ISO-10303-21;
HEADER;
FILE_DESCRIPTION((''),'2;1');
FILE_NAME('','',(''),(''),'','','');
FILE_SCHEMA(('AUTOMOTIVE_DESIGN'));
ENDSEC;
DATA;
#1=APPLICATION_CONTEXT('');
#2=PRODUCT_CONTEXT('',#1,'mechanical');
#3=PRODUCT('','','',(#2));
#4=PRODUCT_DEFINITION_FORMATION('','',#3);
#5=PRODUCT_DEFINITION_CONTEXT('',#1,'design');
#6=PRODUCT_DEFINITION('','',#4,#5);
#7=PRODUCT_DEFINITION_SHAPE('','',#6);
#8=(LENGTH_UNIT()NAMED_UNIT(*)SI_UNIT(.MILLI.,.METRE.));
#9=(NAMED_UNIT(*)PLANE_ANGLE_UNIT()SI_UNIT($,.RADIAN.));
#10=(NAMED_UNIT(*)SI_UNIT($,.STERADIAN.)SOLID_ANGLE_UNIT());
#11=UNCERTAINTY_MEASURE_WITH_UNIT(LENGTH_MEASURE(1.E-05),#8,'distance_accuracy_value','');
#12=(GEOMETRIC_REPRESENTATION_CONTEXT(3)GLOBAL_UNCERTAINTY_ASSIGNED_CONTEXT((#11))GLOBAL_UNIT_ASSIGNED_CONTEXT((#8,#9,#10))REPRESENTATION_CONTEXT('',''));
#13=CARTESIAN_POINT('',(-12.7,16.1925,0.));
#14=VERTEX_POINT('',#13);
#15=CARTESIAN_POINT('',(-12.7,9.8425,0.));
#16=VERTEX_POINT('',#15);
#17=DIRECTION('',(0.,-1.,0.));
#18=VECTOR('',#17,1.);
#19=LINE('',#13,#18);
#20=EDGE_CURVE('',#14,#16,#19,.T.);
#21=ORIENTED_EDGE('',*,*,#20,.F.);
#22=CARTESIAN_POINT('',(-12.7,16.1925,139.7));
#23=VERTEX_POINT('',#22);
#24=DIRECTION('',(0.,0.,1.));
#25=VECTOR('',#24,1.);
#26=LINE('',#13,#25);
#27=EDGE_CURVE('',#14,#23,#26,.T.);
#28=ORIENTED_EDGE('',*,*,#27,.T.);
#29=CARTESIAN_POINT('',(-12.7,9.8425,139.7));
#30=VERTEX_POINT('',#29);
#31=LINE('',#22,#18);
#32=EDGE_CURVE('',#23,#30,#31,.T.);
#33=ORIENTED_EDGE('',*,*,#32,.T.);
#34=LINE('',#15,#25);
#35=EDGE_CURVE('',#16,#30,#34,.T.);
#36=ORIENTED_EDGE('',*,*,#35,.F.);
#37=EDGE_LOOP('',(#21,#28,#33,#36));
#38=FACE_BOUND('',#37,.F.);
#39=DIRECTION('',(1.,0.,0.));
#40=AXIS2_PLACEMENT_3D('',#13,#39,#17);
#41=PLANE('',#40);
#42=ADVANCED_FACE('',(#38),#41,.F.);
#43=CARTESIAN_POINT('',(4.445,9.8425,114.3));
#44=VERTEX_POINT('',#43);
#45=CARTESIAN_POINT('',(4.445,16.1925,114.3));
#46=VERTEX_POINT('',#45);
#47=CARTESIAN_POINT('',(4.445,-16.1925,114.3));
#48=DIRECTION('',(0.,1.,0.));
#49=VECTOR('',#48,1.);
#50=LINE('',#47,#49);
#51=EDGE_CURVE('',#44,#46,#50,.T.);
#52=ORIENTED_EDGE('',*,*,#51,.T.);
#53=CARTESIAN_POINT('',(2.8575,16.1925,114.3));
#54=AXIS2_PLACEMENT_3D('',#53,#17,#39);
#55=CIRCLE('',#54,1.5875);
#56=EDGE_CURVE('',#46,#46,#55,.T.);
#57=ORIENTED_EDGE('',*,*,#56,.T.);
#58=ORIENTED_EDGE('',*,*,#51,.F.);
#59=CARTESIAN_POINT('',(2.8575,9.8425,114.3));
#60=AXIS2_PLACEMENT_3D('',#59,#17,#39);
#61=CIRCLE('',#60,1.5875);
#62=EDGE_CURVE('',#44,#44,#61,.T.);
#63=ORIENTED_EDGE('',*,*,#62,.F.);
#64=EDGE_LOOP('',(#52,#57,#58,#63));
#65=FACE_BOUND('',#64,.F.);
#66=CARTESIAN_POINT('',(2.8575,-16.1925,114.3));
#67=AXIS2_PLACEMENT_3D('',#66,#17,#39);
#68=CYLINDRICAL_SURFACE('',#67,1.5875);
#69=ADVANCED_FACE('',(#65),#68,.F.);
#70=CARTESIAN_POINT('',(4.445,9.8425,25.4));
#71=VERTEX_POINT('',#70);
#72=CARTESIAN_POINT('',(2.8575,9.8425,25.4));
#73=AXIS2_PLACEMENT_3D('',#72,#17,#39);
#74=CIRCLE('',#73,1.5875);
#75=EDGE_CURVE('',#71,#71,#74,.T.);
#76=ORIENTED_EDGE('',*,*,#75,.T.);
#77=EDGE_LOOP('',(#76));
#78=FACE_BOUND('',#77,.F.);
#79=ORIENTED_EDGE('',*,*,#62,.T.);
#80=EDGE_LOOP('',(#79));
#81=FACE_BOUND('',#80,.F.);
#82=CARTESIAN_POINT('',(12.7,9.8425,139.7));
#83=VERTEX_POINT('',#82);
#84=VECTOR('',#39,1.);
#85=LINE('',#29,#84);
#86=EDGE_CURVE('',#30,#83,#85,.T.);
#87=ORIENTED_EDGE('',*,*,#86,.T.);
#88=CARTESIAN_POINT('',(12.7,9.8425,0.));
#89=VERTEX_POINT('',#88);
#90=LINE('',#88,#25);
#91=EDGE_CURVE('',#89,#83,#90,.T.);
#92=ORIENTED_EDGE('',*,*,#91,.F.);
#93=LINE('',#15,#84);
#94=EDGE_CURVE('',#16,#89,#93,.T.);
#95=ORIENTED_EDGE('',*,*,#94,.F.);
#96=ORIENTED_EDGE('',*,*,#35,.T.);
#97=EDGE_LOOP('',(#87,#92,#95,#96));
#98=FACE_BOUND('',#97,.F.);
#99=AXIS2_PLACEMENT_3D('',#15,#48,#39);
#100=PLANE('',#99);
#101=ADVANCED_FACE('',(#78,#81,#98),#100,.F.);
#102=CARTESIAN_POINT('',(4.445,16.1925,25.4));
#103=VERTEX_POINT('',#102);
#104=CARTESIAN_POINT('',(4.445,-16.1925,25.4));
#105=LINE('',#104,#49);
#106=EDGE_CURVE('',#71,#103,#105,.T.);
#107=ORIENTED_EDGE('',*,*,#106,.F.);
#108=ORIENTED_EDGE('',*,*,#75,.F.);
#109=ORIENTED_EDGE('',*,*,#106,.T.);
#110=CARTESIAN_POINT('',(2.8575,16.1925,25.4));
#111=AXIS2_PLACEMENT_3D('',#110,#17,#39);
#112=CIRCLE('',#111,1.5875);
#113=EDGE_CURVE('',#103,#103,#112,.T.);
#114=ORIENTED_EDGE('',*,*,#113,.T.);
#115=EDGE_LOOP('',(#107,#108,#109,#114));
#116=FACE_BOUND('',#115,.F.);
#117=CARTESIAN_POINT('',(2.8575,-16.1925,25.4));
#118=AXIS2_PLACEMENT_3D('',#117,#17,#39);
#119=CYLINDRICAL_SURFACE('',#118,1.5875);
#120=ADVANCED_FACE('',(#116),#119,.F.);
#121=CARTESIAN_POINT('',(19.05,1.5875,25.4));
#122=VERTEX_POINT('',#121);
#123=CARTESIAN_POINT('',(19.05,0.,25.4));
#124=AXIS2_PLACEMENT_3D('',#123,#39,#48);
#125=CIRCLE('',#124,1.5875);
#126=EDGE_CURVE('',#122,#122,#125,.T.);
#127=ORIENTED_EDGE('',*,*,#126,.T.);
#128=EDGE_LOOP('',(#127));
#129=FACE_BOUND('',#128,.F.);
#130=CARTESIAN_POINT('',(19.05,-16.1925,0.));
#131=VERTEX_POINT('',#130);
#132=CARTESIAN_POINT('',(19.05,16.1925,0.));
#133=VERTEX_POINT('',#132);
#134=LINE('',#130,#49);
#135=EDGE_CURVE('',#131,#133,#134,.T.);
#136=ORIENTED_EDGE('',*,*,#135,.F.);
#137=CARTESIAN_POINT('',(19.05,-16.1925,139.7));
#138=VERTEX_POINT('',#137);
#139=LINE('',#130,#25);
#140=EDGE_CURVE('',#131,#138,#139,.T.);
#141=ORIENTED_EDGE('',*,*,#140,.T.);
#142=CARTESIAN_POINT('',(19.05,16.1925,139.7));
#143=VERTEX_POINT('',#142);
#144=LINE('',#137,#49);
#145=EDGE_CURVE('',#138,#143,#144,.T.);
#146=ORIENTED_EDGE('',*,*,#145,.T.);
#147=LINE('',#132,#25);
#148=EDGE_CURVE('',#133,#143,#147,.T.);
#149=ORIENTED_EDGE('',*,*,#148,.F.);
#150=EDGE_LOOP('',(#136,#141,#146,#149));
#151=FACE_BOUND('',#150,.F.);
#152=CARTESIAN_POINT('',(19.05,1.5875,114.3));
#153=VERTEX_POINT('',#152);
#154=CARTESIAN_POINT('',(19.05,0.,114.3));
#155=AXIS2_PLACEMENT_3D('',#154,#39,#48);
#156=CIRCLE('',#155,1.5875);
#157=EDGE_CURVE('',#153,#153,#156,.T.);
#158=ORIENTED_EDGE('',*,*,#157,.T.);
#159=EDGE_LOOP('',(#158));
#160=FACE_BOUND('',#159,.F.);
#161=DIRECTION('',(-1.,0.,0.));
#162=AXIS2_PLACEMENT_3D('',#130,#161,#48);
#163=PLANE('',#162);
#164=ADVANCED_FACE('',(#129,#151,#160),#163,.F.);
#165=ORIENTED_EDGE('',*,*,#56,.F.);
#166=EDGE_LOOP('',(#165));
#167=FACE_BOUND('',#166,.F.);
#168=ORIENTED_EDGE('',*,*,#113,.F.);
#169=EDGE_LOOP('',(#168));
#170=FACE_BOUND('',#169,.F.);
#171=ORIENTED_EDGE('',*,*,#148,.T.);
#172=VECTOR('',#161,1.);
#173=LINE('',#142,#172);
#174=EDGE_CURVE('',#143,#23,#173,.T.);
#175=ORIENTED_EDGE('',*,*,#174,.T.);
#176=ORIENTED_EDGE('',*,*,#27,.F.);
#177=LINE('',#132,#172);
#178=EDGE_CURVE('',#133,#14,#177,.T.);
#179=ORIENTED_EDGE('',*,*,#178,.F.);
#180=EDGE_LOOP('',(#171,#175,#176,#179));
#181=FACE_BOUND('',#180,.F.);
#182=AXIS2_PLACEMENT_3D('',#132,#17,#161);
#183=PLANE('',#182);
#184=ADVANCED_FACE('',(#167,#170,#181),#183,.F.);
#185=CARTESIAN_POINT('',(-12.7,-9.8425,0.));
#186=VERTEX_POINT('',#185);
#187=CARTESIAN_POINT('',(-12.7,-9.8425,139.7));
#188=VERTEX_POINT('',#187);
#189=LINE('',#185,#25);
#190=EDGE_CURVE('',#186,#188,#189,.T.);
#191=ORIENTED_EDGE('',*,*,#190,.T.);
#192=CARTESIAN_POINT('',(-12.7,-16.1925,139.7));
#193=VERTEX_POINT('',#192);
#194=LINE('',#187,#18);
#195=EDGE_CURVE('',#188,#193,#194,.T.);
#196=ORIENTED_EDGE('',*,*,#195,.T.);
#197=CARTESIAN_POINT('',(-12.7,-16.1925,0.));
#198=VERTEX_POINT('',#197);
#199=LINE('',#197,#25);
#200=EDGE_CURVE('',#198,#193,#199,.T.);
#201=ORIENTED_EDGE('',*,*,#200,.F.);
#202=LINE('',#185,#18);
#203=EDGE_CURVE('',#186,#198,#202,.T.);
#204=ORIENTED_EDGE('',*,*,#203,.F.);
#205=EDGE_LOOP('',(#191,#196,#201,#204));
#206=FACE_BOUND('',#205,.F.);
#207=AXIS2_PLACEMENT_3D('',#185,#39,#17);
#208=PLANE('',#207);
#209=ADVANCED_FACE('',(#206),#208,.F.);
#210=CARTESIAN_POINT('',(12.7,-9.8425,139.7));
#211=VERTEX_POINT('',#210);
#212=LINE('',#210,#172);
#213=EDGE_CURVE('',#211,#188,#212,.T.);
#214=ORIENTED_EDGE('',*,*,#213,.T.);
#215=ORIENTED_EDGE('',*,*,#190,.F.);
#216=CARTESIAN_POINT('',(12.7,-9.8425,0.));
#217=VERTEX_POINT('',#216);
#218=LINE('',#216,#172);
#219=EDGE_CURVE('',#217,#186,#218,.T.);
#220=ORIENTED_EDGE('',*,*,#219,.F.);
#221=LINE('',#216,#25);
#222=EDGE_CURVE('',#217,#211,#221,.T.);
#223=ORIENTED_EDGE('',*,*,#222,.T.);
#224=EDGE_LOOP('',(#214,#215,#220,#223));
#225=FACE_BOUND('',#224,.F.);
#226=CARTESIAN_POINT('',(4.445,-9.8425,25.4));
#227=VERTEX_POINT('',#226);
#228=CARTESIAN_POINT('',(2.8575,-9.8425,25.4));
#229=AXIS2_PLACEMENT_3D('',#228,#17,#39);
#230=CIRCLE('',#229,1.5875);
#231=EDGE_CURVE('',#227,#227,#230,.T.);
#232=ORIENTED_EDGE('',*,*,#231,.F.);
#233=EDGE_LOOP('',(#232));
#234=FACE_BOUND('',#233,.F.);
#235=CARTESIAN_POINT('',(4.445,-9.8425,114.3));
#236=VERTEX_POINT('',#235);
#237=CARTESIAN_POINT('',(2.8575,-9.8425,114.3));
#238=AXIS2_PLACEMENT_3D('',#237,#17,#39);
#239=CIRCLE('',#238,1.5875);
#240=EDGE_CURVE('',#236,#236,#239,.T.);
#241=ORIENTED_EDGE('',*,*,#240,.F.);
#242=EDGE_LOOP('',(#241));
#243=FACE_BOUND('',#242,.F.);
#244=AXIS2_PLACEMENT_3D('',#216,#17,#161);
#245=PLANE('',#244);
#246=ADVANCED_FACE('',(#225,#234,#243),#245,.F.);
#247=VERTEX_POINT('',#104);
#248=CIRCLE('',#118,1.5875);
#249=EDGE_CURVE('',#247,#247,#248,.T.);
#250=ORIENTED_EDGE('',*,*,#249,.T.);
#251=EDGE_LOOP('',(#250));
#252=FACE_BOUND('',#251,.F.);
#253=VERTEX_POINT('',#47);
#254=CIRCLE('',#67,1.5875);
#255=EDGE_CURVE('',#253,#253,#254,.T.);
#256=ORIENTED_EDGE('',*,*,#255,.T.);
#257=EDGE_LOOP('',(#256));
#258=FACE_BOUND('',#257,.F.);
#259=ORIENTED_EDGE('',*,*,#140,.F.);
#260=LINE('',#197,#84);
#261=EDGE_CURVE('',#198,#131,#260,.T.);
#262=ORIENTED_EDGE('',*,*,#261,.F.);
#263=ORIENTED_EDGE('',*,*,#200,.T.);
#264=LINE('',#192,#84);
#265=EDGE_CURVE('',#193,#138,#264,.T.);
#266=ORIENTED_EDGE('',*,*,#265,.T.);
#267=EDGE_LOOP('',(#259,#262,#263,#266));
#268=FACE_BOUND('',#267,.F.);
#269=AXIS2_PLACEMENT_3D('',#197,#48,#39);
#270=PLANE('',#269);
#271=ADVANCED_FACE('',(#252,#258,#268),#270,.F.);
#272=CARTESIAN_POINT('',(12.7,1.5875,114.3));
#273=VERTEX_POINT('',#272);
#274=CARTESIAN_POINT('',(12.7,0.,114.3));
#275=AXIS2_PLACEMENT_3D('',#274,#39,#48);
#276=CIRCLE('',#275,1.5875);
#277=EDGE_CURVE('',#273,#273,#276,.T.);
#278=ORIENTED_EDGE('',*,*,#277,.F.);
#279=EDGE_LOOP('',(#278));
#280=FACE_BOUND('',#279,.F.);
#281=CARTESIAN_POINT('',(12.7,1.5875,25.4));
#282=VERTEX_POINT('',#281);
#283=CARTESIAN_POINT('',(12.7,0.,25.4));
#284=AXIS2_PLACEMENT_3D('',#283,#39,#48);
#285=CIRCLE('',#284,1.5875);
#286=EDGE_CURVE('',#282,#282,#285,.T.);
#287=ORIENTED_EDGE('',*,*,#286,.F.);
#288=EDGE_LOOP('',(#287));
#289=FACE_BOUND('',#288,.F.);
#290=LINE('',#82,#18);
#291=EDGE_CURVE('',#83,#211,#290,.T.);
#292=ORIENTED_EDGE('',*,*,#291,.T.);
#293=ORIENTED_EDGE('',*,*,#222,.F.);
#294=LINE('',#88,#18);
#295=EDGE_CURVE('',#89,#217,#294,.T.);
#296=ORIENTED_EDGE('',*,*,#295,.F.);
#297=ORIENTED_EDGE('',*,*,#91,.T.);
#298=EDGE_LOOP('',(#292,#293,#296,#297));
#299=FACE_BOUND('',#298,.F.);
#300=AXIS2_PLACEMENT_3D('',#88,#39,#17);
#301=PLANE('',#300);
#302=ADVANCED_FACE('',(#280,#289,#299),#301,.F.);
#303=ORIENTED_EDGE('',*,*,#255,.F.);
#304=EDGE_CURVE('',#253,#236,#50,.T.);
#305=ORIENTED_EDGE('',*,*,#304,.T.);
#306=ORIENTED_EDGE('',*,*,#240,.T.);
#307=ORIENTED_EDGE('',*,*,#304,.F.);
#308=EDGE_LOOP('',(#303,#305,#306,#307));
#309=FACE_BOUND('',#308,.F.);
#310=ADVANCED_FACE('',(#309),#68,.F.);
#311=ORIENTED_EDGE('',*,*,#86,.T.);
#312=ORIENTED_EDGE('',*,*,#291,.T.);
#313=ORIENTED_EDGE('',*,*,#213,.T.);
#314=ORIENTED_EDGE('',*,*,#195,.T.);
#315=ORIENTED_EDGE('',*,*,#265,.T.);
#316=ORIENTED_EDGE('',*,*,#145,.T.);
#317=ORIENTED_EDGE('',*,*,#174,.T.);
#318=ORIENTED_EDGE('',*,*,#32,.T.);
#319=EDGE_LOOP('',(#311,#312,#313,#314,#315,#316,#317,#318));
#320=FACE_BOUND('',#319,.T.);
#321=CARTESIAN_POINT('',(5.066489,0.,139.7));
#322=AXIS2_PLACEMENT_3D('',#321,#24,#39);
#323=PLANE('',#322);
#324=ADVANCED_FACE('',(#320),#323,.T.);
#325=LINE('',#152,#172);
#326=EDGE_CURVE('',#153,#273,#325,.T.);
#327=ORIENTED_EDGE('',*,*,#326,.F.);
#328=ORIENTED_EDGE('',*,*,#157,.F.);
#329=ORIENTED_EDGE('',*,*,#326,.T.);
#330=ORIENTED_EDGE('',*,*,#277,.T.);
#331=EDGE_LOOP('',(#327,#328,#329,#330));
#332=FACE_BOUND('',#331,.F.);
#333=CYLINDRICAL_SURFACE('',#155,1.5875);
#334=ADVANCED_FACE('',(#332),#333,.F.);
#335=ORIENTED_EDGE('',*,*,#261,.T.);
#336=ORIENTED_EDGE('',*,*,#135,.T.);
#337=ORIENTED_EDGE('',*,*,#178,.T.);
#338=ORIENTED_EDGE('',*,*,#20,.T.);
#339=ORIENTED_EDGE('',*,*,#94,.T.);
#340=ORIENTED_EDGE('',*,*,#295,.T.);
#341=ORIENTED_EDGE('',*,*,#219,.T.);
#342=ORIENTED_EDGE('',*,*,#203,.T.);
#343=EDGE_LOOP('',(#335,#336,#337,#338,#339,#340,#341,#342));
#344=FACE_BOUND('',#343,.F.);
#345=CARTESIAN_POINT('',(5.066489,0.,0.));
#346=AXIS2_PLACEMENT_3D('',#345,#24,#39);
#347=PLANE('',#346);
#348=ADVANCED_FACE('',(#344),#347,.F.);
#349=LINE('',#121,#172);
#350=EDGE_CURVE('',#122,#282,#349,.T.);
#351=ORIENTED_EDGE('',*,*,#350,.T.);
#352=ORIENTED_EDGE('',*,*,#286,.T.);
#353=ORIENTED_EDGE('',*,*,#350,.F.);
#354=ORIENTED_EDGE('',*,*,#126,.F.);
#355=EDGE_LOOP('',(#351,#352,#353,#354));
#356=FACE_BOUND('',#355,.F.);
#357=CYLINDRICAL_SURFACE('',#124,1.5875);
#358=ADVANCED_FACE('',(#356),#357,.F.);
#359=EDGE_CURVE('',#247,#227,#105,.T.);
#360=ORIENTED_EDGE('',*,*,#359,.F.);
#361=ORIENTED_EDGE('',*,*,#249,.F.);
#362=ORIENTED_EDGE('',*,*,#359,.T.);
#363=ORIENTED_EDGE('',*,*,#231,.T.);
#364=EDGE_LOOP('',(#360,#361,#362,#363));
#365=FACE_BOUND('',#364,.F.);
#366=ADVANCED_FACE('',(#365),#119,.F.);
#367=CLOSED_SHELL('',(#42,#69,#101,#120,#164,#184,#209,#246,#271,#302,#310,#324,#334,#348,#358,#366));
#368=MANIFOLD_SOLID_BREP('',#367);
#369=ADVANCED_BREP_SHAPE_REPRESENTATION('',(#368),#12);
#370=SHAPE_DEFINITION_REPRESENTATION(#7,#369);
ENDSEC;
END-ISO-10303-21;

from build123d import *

# Parameters (mm, degrees)
F1_DEPTH = 139.7
F2_R     = 1.5875
F3_DEPTH = 31.751
F4_R     = 1.5875
F5_DEPTH = 32.386


with BuildPart() as f1:
    # F0 (on Top) → F1 (new body)
    with BuildSketch(Plane.XY):
        Polygon((12.7, -9.8425), (-12.7, -9.8425), (-12.7, -16.1925), (19.05, -16.1925), (19.05, 16.1925), (-12.7, 16.1925), (-12.7, 9.8425), (12.7, 9.8425), align=None)
    extrude(amount=F1_DEPTH)

    # F2 (on face) → F3 (cut, through all)
    with BuildSketch(Plane.YZ.offset(19.05)):
        with Locations((0, 114.3)):
            Circle(F2_R)
        with Locations((0, 25.4)):
            Circle(F2_R)
    extrude(amount=-F3_DEPTH, mode=Mode.SUBTRACT)

    # F4 (on face) → F5 (cut, through all)
    with BuildSketch(Plane.XZ.offset(16.1925)):
        with Locations((2.8575, 114.3)):
            Circle(F4_R)
        with Locations((2.8575, 25.4)):
            Circle(F4_R)
    extrude(amount=-F5_DEPTH, mode=Mode.SUBTRACT)


solid = f1.part
